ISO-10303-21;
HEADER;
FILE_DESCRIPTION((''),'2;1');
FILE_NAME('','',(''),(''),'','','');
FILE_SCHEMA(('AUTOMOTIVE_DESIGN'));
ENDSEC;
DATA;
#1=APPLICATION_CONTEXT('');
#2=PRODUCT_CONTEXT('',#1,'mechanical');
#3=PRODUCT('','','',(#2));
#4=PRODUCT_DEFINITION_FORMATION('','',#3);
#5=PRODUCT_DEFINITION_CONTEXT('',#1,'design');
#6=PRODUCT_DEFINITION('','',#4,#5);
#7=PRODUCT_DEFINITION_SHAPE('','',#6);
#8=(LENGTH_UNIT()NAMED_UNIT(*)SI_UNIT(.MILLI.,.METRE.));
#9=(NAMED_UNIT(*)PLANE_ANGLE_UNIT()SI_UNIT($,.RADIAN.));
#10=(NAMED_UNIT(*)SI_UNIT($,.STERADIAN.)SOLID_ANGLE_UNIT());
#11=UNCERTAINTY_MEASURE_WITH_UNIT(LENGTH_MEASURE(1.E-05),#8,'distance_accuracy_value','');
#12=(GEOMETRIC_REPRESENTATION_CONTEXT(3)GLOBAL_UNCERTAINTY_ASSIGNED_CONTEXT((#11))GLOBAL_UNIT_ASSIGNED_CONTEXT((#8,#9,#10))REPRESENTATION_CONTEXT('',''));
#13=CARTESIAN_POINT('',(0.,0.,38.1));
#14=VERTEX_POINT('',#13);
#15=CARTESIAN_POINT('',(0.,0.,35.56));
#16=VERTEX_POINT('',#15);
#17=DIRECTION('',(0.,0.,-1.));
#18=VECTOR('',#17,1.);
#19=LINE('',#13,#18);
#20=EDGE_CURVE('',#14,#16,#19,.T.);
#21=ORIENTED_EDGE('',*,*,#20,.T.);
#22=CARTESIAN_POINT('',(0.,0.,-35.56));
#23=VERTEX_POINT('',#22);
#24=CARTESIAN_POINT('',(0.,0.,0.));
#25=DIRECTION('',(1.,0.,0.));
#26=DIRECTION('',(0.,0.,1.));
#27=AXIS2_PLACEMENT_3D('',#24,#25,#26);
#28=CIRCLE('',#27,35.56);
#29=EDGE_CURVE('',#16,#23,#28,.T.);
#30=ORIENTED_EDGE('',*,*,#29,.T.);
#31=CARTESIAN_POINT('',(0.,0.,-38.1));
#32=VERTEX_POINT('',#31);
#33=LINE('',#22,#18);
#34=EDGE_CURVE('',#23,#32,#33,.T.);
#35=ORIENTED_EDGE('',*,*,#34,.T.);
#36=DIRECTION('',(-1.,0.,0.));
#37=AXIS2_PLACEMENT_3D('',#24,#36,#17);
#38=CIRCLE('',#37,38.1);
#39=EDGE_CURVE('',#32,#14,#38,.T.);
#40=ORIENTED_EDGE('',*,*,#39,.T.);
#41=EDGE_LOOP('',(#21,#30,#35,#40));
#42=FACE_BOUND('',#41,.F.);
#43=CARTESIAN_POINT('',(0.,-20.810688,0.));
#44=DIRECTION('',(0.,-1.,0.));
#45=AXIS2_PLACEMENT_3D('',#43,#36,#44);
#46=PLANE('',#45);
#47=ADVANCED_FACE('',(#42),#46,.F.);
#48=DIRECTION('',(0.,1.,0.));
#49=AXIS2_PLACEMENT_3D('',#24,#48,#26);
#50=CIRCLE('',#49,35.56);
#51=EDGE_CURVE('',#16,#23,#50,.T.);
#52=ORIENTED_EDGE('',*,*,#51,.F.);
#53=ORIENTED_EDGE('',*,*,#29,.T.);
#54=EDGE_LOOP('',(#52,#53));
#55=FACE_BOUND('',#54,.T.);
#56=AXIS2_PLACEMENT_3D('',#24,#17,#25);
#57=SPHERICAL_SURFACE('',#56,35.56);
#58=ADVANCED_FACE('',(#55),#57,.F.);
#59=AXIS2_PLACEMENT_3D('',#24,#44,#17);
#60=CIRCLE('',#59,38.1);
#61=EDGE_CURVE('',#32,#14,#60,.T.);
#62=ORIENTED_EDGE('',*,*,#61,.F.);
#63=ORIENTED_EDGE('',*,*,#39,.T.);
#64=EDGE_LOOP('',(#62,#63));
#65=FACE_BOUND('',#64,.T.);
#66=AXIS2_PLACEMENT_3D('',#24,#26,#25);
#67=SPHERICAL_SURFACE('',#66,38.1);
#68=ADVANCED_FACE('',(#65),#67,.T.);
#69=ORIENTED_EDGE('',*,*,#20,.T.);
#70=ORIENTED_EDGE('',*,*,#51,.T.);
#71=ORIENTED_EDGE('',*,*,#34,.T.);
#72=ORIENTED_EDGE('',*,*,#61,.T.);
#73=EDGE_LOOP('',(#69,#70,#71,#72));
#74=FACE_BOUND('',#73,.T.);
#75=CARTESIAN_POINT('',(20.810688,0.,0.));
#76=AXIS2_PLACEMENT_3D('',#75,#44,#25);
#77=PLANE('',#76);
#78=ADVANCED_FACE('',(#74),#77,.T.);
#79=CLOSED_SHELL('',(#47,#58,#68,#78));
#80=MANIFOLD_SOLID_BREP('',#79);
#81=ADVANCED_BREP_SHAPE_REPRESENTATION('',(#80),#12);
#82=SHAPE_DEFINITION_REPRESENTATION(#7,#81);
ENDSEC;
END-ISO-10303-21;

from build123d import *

# Parameters (mm, degrees)
F1_ANGLE = 270


with BuildPart() as f1:
    # F0 (on Front) → F1 (revolve)
    with BuildSketch(Plane.XZ):
        with BuildLine():
            Line((0, -35.56), (0, -38.1))
            ThreePointArc((0, -38.1), (38.1, 0), (0, 38.1))
            Line((0, 38.1), (0, 35.56))
            ThreePointArc((0, 35.56), (35.56, 0), (0, -35.56))
        make_face()
    revolve(axis=Axis((0, 0, 0), (0, 0, 1)), revolution_arc=F1_ANGLE)


solid = f1.part
